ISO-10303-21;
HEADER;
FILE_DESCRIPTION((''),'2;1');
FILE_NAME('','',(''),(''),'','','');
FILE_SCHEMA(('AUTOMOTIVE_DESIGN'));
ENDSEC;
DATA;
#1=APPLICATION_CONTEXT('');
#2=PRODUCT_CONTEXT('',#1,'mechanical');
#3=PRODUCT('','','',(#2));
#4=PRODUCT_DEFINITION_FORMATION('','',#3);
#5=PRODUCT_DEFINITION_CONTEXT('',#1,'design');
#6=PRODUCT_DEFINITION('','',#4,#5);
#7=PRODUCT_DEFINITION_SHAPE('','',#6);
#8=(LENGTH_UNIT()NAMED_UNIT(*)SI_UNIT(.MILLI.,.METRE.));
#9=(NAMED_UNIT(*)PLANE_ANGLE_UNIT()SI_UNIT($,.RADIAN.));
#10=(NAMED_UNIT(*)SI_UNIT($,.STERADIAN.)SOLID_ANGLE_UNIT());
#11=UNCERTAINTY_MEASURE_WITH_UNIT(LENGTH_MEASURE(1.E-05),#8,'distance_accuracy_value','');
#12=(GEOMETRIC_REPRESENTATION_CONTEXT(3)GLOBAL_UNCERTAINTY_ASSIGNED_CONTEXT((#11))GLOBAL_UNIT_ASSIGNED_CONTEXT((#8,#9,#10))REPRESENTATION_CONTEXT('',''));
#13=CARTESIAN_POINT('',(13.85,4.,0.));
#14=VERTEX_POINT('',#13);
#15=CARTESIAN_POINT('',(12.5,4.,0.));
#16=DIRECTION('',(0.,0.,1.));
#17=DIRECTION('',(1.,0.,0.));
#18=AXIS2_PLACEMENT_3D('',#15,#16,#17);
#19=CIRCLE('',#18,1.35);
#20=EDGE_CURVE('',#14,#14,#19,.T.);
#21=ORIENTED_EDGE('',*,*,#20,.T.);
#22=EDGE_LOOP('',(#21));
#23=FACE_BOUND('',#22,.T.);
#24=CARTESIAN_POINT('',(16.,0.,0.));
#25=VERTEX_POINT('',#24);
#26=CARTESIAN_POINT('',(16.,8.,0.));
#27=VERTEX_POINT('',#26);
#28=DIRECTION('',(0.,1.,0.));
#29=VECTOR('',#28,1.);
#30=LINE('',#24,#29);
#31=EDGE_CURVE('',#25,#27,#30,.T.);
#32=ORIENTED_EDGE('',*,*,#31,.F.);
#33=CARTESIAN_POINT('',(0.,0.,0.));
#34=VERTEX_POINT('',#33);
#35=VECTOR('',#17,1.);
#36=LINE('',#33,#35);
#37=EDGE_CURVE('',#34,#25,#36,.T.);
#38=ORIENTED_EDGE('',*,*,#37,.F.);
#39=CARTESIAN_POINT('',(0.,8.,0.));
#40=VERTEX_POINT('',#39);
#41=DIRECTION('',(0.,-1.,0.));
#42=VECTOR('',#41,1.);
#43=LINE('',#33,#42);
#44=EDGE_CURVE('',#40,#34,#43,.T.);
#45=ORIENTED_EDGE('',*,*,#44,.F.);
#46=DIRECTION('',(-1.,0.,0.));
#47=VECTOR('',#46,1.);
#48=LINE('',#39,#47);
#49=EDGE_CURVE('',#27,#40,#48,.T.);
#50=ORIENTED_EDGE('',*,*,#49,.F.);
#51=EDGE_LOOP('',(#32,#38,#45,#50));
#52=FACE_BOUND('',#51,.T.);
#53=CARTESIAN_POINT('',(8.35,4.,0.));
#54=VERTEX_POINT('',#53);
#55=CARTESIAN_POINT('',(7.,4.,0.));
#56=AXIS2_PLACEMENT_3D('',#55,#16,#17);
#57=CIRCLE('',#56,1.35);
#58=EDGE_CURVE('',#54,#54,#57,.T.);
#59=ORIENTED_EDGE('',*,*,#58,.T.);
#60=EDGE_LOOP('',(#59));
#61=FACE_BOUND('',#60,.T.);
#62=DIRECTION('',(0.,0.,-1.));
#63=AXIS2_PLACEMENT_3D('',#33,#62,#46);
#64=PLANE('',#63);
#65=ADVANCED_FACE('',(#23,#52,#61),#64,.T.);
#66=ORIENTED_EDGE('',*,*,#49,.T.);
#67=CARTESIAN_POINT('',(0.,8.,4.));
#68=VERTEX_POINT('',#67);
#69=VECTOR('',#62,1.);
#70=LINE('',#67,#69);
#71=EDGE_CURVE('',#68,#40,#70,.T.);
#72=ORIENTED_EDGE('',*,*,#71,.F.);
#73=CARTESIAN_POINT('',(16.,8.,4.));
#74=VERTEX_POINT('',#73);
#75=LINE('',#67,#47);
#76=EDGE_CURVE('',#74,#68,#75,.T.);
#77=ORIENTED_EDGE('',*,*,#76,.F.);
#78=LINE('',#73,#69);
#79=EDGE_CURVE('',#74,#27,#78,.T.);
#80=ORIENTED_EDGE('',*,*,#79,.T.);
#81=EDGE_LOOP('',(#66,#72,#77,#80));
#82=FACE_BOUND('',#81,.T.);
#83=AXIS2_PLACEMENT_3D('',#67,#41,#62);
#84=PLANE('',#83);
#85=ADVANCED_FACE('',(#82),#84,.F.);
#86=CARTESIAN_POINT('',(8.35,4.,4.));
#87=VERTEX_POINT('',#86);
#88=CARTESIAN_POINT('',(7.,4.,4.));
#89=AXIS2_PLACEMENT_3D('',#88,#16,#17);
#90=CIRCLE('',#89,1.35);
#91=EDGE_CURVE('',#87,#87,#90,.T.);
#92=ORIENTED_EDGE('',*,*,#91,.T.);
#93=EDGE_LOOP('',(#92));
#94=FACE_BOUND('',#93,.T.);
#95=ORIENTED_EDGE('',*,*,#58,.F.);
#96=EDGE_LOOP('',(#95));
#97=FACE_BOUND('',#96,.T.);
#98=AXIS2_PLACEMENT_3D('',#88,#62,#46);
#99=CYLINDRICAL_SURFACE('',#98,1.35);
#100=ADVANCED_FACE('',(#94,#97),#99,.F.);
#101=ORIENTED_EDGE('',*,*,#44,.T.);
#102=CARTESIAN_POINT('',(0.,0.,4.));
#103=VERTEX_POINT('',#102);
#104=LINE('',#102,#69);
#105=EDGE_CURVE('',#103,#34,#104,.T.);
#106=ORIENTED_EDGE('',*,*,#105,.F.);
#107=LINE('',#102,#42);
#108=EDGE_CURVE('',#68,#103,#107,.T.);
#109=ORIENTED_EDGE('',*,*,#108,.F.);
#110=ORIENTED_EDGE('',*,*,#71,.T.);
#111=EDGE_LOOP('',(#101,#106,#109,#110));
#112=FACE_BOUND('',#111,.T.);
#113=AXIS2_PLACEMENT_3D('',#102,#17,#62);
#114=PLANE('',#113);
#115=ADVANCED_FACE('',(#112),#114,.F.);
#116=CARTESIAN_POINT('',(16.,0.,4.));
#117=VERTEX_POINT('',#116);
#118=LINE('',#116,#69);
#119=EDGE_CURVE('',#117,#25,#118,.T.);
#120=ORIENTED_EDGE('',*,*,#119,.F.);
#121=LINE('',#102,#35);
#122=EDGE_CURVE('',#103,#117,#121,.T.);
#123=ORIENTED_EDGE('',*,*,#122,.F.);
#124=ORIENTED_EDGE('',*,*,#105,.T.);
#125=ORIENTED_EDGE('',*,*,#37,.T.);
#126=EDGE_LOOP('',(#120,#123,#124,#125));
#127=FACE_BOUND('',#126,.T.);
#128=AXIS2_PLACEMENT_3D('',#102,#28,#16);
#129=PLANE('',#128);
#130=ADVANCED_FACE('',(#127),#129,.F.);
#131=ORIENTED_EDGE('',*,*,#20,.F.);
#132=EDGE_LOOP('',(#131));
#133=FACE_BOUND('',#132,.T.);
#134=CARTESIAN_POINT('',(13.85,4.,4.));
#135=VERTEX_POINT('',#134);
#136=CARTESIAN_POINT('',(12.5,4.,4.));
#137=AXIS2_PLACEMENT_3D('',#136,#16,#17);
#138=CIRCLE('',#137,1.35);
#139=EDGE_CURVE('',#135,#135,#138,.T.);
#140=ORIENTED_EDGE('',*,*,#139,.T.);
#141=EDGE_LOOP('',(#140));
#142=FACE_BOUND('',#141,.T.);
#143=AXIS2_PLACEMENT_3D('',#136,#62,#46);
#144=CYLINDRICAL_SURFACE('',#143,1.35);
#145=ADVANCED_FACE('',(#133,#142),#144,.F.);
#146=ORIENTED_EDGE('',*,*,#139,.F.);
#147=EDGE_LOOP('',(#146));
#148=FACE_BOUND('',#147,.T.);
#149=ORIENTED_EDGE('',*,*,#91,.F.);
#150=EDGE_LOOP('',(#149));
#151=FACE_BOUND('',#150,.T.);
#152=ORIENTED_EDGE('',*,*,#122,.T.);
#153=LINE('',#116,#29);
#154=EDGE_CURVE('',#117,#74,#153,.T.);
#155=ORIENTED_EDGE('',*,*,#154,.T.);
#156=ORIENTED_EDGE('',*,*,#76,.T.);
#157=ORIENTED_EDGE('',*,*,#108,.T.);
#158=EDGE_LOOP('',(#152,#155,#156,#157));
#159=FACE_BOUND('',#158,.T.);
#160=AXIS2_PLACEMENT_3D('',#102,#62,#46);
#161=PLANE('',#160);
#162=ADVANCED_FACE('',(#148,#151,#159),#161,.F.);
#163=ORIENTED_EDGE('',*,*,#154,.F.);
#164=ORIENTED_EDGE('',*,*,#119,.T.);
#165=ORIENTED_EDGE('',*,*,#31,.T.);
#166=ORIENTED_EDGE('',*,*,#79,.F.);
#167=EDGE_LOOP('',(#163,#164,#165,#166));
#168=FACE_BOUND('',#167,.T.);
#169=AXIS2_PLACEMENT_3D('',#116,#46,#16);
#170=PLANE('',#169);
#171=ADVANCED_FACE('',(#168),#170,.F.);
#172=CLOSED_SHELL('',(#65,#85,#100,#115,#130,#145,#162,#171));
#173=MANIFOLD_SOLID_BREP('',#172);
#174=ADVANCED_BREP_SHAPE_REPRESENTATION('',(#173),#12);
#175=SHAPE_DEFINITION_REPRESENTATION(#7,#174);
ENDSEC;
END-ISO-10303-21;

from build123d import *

# Parameters (mm, degrees)
SKETCH1_W           = 16
SKETCH1_H           = 8
SKETCH1_R           = 1.35
BOSS_EXTRUDE1_DEPTH = 4


with BuildPart() as part:
    # Sketch1 → Boss-Extrude1 (new body)
    with BuildSketch(Plane.XY):
        with Locations((8, 4)):
            Rectangle(SKETCH1_W, SKETCH1_H)
        with Locations((12.5, 4)):
            Circle(SKETCH1_R, mode=Mode.SUBTRACT)
        with Locations((7, 4)):
            Circle(SKETCH1_R, mode=Mode.SUBTRACT)
    extrude(amount=BOSS_EXTRUDE1_DEPTH)


solid = part.part
